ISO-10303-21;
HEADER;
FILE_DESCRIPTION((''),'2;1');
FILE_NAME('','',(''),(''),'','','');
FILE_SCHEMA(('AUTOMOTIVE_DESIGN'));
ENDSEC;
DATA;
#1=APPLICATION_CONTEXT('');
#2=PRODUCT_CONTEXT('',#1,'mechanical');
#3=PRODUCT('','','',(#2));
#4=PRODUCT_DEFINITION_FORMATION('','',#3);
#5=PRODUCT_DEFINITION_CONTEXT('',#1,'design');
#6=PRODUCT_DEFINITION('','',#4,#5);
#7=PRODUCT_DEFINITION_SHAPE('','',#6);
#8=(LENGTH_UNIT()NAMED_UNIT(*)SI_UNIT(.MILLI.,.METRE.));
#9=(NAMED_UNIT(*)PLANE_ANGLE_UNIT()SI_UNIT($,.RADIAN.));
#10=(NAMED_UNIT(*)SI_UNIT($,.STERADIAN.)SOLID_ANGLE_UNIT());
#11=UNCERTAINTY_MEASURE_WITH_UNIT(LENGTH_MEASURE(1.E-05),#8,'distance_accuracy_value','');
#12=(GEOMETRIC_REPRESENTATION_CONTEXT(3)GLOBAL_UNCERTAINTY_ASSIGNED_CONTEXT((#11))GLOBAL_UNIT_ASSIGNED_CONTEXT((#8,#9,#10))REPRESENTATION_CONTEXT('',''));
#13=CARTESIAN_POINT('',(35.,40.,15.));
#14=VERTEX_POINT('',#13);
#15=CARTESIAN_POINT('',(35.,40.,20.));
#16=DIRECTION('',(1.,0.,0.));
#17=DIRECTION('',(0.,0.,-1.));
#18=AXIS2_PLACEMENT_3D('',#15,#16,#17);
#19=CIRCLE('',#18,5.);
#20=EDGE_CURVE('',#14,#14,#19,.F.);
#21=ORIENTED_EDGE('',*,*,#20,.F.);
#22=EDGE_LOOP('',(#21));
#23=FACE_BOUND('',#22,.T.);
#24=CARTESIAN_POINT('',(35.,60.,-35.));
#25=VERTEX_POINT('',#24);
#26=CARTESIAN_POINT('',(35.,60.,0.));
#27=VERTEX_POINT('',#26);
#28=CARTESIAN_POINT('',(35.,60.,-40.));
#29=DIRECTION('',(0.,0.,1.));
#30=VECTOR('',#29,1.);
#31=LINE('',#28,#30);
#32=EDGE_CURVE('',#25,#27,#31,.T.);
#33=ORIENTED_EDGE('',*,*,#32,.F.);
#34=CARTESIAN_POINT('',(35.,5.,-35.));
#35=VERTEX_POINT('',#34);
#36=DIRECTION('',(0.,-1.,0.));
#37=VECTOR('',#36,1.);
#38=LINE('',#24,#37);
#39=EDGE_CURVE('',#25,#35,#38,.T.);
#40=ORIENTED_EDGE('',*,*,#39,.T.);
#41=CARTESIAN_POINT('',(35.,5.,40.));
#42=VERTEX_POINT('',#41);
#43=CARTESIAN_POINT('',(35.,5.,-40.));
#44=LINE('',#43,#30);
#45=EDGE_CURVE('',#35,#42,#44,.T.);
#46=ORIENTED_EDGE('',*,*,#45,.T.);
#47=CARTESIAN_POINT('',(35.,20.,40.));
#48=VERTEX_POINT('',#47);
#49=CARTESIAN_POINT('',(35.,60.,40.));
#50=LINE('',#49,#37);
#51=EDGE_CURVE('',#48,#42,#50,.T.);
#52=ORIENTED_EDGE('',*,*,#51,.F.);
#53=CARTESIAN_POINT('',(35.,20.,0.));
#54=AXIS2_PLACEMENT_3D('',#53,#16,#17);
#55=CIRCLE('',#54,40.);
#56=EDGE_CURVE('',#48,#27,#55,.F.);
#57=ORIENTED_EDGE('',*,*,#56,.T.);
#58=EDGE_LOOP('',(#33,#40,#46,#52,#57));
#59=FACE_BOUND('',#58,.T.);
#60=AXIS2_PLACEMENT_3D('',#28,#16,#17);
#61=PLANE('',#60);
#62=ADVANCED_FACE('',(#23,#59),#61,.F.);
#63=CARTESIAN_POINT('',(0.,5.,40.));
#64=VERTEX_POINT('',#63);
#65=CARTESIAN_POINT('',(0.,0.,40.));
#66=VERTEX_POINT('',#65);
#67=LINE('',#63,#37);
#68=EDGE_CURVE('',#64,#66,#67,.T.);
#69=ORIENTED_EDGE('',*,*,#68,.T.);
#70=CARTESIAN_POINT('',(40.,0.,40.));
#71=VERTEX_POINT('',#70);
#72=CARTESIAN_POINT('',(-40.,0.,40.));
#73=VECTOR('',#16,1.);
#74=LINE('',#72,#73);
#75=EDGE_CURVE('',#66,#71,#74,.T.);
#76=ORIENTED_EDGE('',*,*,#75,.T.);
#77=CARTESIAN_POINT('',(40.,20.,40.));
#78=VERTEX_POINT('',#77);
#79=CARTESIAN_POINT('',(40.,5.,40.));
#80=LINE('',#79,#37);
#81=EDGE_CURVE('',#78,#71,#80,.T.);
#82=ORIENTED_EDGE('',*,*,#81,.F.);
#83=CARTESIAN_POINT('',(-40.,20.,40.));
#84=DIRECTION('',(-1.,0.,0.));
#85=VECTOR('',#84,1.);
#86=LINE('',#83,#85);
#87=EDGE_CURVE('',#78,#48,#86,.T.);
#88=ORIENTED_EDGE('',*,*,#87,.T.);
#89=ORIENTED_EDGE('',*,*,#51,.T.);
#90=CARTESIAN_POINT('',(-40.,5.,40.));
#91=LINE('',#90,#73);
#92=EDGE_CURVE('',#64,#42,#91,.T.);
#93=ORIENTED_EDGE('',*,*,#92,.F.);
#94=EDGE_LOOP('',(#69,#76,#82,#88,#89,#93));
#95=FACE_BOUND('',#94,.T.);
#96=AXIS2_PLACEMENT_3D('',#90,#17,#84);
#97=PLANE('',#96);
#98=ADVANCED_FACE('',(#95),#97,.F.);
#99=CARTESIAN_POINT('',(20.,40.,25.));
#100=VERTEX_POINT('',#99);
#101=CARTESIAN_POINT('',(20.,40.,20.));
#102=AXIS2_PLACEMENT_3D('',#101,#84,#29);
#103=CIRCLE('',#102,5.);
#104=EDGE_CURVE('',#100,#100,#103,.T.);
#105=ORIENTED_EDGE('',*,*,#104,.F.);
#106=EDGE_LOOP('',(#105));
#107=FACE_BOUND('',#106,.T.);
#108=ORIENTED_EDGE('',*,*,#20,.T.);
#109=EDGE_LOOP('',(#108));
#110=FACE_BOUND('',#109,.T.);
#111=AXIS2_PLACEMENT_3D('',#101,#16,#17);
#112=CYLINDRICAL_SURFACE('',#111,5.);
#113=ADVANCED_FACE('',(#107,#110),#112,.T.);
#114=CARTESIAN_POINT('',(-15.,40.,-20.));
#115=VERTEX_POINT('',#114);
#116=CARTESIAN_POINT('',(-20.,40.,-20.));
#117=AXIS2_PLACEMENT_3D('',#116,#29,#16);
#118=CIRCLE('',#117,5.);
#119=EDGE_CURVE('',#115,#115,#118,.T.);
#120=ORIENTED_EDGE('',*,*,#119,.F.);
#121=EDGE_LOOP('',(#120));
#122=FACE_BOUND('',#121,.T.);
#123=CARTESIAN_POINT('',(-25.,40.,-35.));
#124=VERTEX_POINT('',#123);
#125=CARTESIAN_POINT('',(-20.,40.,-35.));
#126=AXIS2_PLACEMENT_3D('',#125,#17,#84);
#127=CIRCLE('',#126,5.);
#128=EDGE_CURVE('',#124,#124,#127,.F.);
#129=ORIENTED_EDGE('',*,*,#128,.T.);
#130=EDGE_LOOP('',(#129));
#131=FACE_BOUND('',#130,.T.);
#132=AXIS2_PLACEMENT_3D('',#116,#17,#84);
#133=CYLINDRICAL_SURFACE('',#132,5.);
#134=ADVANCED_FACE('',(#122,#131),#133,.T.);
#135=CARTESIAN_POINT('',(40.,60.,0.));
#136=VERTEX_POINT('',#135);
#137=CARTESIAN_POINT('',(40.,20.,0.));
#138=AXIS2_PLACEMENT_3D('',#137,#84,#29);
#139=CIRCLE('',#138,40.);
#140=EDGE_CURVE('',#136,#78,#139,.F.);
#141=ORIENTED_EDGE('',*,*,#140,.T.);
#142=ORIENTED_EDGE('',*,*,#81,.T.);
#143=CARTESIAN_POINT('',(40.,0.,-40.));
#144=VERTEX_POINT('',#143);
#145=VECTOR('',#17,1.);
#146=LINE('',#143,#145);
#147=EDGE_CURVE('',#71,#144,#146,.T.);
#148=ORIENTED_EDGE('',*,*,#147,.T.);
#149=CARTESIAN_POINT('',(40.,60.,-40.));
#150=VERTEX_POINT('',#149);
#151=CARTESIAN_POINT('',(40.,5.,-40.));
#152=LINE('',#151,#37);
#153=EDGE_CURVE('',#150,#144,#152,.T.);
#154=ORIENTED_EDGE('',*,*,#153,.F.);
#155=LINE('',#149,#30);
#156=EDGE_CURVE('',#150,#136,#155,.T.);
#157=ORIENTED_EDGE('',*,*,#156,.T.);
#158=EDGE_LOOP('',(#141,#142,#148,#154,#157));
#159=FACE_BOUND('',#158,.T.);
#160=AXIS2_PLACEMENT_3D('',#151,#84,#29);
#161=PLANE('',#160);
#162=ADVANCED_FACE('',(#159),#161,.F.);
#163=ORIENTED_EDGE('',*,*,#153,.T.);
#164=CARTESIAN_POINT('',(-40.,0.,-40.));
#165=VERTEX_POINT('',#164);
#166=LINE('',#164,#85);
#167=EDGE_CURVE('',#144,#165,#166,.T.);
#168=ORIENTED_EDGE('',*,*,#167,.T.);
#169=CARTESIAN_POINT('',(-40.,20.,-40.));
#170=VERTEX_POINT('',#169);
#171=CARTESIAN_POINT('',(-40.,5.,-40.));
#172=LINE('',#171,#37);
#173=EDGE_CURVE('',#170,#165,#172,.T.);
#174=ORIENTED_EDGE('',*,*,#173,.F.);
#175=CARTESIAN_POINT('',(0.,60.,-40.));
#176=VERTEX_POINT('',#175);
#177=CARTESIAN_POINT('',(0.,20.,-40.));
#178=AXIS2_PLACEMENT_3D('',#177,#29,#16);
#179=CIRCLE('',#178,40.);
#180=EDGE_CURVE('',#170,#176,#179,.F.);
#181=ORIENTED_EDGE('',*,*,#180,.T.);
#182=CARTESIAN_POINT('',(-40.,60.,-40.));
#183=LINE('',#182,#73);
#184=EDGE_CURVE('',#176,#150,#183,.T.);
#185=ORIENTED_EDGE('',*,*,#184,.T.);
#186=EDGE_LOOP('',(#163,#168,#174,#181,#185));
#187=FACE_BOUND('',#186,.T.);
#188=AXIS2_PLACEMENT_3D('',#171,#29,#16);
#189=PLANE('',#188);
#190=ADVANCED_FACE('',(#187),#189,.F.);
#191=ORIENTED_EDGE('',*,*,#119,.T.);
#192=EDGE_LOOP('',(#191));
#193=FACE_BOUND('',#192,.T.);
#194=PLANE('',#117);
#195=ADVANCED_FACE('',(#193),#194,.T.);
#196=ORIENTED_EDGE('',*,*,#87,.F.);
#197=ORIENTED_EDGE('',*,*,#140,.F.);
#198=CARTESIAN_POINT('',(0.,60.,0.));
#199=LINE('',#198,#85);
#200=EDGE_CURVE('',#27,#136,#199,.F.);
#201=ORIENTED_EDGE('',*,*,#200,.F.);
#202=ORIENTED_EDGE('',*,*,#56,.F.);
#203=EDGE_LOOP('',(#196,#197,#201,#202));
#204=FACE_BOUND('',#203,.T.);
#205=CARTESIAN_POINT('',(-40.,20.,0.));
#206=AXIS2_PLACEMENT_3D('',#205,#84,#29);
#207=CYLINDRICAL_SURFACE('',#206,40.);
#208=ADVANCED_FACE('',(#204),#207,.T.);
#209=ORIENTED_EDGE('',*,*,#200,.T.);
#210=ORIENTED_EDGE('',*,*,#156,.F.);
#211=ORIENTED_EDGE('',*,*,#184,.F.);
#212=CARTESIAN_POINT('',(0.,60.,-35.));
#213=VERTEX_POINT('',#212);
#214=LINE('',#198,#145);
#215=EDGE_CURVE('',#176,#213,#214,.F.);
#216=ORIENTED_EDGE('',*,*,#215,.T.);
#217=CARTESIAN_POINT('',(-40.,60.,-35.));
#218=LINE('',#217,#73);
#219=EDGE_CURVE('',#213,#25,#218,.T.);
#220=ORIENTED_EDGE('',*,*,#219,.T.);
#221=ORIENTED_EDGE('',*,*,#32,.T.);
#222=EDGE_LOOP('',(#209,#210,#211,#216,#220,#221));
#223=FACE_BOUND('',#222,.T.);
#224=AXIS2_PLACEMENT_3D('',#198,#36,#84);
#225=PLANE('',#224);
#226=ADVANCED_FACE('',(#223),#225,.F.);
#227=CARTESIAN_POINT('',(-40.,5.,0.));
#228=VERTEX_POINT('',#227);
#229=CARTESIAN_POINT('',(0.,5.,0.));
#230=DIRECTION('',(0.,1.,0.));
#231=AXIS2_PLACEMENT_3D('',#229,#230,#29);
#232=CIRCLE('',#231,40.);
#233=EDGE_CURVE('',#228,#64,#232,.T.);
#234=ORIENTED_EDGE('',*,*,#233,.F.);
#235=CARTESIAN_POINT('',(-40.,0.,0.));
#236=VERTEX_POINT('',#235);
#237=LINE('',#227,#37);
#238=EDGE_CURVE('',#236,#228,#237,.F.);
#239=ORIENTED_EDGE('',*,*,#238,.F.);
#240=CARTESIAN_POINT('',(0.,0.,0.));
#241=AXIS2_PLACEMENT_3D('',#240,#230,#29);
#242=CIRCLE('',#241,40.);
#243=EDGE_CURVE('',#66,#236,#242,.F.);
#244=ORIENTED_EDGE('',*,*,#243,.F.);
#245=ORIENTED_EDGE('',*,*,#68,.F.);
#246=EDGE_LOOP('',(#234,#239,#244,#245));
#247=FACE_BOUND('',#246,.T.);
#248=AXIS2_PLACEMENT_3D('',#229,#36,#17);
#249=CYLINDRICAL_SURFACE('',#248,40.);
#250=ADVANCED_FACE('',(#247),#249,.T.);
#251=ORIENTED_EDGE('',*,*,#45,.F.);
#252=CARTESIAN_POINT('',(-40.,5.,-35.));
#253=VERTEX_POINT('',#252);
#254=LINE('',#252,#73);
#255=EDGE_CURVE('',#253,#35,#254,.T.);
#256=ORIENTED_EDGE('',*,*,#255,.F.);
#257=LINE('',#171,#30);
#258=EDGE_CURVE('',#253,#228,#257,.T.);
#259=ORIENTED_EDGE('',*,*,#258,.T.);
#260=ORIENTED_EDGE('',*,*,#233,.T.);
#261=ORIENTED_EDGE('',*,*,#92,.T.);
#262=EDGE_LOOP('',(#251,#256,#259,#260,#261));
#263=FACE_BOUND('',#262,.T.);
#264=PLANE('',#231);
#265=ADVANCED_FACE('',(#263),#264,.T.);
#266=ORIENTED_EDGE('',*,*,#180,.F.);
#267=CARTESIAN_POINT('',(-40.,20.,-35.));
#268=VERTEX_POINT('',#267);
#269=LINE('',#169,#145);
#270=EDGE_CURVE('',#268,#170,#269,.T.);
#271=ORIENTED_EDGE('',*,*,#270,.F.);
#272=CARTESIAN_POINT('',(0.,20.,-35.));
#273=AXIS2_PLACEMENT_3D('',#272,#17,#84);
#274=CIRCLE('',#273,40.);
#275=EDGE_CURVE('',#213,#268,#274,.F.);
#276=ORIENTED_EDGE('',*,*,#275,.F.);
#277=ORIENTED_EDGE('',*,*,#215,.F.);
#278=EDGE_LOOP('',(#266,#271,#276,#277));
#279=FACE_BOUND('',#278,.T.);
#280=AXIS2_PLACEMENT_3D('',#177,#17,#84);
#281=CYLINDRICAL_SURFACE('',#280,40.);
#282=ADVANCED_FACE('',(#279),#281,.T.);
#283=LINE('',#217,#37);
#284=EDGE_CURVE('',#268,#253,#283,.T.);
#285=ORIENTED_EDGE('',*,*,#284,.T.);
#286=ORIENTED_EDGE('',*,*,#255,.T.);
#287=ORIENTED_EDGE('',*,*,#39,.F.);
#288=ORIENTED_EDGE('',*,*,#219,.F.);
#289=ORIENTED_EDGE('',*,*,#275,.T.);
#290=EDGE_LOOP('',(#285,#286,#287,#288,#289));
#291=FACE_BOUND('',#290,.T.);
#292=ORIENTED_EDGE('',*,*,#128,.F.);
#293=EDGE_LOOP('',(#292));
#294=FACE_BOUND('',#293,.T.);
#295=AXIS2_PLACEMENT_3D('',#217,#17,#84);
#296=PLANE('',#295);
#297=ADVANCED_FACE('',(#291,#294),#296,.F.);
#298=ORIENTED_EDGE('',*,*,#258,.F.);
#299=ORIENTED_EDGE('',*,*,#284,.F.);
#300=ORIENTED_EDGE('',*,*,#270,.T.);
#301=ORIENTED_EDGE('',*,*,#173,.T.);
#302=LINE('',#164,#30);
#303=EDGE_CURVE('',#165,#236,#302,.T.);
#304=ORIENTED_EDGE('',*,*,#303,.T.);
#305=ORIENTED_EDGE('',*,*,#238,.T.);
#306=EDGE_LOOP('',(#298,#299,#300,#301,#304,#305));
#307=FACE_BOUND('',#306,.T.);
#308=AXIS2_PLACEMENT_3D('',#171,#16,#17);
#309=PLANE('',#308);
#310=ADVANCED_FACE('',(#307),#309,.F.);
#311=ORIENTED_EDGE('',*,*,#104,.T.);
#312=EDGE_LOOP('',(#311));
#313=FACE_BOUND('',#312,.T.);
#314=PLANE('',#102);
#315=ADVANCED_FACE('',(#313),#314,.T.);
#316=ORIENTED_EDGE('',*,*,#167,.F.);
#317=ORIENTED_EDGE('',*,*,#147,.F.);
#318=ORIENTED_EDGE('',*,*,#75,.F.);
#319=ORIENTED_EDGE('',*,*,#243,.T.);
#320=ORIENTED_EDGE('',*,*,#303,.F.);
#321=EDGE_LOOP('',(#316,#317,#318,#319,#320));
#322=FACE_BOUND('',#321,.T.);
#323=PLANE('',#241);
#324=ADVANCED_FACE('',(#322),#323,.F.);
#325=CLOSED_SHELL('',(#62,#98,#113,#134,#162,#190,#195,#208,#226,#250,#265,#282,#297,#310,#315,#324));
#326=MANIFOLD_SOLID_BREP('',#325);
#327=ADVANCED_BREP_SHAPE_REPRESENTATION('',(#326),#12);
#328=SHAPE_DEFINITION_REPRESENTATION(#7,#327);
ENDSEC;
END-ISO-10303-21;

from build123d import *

# Parameters (mm, degrees)
SKETCH1_W           = 80
SKETCH1_H           = 80
BOSS_EXTRUDE1_DEPTH = 5
EXTRUDE_THIN1_DEPTH = 55
FILLET1_R           = 40
SKETCH4_R           = 5
BOSS_EXTRUDE2_DEPTH = 15
SKETCH5_R           = 5
BOSS_EXTRUDE3_DEPTH = 15


with BuildPart() as part:
    # Sketch1 → Boss-Extrude1 (new body)
    with BuildSketch(Plane(origin=(0, 0, 0), x_dir=(1, 0, 0), z_dir=(0, 1, 0))):
        Rectangle(SKETCH1_W, SKETCH1_H)
    extrude(amount=BOSS_EXTRUDE1_DEPTH)

    # Sketch3 → Extrude-Thin1 (add)
    with BuildSketch(Plane(origin=(0, 5, 0), x_dir=(1, 0, 0), z_dir=(0, 1, 0))):
        Polygon((-40, 40), (40, 40), (40, -40), (35, -40), (35, 35), (-40, 35), align=None)
    extrude(amount=EXTRUDE_THIN1_DEPTH)

    # Fillet1
    fillet1_edges = [part.edges().sort_by_distance(p)[0] for p in [
        (37.5, 60, 40),
        (-40, 60, -37.5),
        (-40, 2.5, 40),
    ]]
    fillet(fillet1_edges, radius=FILLET1_R)

    # Sketch4 → Boss-Extrude2 (add)
    with BuildSketch(Plane.ZY.offset(-35)):
        with Locations(Location((20, 40, 0), (0, 0, 180))):
            Circle(SKETCH4_R)
    extrude(amount=BOSS_EXTRUDE2_DEPTH)

    # Sketch5 → Boss-Extrude3 (add)
    with BuildSketch(Plane.XY.offset(-35)):
        with Locations(Location((-20, 40, 0), (0, 0, 180))):
            Circle(SKETCH5_R)
    extrude(amount=BOSS_EXTRUDE3_DEPTH)


solid = part.part
